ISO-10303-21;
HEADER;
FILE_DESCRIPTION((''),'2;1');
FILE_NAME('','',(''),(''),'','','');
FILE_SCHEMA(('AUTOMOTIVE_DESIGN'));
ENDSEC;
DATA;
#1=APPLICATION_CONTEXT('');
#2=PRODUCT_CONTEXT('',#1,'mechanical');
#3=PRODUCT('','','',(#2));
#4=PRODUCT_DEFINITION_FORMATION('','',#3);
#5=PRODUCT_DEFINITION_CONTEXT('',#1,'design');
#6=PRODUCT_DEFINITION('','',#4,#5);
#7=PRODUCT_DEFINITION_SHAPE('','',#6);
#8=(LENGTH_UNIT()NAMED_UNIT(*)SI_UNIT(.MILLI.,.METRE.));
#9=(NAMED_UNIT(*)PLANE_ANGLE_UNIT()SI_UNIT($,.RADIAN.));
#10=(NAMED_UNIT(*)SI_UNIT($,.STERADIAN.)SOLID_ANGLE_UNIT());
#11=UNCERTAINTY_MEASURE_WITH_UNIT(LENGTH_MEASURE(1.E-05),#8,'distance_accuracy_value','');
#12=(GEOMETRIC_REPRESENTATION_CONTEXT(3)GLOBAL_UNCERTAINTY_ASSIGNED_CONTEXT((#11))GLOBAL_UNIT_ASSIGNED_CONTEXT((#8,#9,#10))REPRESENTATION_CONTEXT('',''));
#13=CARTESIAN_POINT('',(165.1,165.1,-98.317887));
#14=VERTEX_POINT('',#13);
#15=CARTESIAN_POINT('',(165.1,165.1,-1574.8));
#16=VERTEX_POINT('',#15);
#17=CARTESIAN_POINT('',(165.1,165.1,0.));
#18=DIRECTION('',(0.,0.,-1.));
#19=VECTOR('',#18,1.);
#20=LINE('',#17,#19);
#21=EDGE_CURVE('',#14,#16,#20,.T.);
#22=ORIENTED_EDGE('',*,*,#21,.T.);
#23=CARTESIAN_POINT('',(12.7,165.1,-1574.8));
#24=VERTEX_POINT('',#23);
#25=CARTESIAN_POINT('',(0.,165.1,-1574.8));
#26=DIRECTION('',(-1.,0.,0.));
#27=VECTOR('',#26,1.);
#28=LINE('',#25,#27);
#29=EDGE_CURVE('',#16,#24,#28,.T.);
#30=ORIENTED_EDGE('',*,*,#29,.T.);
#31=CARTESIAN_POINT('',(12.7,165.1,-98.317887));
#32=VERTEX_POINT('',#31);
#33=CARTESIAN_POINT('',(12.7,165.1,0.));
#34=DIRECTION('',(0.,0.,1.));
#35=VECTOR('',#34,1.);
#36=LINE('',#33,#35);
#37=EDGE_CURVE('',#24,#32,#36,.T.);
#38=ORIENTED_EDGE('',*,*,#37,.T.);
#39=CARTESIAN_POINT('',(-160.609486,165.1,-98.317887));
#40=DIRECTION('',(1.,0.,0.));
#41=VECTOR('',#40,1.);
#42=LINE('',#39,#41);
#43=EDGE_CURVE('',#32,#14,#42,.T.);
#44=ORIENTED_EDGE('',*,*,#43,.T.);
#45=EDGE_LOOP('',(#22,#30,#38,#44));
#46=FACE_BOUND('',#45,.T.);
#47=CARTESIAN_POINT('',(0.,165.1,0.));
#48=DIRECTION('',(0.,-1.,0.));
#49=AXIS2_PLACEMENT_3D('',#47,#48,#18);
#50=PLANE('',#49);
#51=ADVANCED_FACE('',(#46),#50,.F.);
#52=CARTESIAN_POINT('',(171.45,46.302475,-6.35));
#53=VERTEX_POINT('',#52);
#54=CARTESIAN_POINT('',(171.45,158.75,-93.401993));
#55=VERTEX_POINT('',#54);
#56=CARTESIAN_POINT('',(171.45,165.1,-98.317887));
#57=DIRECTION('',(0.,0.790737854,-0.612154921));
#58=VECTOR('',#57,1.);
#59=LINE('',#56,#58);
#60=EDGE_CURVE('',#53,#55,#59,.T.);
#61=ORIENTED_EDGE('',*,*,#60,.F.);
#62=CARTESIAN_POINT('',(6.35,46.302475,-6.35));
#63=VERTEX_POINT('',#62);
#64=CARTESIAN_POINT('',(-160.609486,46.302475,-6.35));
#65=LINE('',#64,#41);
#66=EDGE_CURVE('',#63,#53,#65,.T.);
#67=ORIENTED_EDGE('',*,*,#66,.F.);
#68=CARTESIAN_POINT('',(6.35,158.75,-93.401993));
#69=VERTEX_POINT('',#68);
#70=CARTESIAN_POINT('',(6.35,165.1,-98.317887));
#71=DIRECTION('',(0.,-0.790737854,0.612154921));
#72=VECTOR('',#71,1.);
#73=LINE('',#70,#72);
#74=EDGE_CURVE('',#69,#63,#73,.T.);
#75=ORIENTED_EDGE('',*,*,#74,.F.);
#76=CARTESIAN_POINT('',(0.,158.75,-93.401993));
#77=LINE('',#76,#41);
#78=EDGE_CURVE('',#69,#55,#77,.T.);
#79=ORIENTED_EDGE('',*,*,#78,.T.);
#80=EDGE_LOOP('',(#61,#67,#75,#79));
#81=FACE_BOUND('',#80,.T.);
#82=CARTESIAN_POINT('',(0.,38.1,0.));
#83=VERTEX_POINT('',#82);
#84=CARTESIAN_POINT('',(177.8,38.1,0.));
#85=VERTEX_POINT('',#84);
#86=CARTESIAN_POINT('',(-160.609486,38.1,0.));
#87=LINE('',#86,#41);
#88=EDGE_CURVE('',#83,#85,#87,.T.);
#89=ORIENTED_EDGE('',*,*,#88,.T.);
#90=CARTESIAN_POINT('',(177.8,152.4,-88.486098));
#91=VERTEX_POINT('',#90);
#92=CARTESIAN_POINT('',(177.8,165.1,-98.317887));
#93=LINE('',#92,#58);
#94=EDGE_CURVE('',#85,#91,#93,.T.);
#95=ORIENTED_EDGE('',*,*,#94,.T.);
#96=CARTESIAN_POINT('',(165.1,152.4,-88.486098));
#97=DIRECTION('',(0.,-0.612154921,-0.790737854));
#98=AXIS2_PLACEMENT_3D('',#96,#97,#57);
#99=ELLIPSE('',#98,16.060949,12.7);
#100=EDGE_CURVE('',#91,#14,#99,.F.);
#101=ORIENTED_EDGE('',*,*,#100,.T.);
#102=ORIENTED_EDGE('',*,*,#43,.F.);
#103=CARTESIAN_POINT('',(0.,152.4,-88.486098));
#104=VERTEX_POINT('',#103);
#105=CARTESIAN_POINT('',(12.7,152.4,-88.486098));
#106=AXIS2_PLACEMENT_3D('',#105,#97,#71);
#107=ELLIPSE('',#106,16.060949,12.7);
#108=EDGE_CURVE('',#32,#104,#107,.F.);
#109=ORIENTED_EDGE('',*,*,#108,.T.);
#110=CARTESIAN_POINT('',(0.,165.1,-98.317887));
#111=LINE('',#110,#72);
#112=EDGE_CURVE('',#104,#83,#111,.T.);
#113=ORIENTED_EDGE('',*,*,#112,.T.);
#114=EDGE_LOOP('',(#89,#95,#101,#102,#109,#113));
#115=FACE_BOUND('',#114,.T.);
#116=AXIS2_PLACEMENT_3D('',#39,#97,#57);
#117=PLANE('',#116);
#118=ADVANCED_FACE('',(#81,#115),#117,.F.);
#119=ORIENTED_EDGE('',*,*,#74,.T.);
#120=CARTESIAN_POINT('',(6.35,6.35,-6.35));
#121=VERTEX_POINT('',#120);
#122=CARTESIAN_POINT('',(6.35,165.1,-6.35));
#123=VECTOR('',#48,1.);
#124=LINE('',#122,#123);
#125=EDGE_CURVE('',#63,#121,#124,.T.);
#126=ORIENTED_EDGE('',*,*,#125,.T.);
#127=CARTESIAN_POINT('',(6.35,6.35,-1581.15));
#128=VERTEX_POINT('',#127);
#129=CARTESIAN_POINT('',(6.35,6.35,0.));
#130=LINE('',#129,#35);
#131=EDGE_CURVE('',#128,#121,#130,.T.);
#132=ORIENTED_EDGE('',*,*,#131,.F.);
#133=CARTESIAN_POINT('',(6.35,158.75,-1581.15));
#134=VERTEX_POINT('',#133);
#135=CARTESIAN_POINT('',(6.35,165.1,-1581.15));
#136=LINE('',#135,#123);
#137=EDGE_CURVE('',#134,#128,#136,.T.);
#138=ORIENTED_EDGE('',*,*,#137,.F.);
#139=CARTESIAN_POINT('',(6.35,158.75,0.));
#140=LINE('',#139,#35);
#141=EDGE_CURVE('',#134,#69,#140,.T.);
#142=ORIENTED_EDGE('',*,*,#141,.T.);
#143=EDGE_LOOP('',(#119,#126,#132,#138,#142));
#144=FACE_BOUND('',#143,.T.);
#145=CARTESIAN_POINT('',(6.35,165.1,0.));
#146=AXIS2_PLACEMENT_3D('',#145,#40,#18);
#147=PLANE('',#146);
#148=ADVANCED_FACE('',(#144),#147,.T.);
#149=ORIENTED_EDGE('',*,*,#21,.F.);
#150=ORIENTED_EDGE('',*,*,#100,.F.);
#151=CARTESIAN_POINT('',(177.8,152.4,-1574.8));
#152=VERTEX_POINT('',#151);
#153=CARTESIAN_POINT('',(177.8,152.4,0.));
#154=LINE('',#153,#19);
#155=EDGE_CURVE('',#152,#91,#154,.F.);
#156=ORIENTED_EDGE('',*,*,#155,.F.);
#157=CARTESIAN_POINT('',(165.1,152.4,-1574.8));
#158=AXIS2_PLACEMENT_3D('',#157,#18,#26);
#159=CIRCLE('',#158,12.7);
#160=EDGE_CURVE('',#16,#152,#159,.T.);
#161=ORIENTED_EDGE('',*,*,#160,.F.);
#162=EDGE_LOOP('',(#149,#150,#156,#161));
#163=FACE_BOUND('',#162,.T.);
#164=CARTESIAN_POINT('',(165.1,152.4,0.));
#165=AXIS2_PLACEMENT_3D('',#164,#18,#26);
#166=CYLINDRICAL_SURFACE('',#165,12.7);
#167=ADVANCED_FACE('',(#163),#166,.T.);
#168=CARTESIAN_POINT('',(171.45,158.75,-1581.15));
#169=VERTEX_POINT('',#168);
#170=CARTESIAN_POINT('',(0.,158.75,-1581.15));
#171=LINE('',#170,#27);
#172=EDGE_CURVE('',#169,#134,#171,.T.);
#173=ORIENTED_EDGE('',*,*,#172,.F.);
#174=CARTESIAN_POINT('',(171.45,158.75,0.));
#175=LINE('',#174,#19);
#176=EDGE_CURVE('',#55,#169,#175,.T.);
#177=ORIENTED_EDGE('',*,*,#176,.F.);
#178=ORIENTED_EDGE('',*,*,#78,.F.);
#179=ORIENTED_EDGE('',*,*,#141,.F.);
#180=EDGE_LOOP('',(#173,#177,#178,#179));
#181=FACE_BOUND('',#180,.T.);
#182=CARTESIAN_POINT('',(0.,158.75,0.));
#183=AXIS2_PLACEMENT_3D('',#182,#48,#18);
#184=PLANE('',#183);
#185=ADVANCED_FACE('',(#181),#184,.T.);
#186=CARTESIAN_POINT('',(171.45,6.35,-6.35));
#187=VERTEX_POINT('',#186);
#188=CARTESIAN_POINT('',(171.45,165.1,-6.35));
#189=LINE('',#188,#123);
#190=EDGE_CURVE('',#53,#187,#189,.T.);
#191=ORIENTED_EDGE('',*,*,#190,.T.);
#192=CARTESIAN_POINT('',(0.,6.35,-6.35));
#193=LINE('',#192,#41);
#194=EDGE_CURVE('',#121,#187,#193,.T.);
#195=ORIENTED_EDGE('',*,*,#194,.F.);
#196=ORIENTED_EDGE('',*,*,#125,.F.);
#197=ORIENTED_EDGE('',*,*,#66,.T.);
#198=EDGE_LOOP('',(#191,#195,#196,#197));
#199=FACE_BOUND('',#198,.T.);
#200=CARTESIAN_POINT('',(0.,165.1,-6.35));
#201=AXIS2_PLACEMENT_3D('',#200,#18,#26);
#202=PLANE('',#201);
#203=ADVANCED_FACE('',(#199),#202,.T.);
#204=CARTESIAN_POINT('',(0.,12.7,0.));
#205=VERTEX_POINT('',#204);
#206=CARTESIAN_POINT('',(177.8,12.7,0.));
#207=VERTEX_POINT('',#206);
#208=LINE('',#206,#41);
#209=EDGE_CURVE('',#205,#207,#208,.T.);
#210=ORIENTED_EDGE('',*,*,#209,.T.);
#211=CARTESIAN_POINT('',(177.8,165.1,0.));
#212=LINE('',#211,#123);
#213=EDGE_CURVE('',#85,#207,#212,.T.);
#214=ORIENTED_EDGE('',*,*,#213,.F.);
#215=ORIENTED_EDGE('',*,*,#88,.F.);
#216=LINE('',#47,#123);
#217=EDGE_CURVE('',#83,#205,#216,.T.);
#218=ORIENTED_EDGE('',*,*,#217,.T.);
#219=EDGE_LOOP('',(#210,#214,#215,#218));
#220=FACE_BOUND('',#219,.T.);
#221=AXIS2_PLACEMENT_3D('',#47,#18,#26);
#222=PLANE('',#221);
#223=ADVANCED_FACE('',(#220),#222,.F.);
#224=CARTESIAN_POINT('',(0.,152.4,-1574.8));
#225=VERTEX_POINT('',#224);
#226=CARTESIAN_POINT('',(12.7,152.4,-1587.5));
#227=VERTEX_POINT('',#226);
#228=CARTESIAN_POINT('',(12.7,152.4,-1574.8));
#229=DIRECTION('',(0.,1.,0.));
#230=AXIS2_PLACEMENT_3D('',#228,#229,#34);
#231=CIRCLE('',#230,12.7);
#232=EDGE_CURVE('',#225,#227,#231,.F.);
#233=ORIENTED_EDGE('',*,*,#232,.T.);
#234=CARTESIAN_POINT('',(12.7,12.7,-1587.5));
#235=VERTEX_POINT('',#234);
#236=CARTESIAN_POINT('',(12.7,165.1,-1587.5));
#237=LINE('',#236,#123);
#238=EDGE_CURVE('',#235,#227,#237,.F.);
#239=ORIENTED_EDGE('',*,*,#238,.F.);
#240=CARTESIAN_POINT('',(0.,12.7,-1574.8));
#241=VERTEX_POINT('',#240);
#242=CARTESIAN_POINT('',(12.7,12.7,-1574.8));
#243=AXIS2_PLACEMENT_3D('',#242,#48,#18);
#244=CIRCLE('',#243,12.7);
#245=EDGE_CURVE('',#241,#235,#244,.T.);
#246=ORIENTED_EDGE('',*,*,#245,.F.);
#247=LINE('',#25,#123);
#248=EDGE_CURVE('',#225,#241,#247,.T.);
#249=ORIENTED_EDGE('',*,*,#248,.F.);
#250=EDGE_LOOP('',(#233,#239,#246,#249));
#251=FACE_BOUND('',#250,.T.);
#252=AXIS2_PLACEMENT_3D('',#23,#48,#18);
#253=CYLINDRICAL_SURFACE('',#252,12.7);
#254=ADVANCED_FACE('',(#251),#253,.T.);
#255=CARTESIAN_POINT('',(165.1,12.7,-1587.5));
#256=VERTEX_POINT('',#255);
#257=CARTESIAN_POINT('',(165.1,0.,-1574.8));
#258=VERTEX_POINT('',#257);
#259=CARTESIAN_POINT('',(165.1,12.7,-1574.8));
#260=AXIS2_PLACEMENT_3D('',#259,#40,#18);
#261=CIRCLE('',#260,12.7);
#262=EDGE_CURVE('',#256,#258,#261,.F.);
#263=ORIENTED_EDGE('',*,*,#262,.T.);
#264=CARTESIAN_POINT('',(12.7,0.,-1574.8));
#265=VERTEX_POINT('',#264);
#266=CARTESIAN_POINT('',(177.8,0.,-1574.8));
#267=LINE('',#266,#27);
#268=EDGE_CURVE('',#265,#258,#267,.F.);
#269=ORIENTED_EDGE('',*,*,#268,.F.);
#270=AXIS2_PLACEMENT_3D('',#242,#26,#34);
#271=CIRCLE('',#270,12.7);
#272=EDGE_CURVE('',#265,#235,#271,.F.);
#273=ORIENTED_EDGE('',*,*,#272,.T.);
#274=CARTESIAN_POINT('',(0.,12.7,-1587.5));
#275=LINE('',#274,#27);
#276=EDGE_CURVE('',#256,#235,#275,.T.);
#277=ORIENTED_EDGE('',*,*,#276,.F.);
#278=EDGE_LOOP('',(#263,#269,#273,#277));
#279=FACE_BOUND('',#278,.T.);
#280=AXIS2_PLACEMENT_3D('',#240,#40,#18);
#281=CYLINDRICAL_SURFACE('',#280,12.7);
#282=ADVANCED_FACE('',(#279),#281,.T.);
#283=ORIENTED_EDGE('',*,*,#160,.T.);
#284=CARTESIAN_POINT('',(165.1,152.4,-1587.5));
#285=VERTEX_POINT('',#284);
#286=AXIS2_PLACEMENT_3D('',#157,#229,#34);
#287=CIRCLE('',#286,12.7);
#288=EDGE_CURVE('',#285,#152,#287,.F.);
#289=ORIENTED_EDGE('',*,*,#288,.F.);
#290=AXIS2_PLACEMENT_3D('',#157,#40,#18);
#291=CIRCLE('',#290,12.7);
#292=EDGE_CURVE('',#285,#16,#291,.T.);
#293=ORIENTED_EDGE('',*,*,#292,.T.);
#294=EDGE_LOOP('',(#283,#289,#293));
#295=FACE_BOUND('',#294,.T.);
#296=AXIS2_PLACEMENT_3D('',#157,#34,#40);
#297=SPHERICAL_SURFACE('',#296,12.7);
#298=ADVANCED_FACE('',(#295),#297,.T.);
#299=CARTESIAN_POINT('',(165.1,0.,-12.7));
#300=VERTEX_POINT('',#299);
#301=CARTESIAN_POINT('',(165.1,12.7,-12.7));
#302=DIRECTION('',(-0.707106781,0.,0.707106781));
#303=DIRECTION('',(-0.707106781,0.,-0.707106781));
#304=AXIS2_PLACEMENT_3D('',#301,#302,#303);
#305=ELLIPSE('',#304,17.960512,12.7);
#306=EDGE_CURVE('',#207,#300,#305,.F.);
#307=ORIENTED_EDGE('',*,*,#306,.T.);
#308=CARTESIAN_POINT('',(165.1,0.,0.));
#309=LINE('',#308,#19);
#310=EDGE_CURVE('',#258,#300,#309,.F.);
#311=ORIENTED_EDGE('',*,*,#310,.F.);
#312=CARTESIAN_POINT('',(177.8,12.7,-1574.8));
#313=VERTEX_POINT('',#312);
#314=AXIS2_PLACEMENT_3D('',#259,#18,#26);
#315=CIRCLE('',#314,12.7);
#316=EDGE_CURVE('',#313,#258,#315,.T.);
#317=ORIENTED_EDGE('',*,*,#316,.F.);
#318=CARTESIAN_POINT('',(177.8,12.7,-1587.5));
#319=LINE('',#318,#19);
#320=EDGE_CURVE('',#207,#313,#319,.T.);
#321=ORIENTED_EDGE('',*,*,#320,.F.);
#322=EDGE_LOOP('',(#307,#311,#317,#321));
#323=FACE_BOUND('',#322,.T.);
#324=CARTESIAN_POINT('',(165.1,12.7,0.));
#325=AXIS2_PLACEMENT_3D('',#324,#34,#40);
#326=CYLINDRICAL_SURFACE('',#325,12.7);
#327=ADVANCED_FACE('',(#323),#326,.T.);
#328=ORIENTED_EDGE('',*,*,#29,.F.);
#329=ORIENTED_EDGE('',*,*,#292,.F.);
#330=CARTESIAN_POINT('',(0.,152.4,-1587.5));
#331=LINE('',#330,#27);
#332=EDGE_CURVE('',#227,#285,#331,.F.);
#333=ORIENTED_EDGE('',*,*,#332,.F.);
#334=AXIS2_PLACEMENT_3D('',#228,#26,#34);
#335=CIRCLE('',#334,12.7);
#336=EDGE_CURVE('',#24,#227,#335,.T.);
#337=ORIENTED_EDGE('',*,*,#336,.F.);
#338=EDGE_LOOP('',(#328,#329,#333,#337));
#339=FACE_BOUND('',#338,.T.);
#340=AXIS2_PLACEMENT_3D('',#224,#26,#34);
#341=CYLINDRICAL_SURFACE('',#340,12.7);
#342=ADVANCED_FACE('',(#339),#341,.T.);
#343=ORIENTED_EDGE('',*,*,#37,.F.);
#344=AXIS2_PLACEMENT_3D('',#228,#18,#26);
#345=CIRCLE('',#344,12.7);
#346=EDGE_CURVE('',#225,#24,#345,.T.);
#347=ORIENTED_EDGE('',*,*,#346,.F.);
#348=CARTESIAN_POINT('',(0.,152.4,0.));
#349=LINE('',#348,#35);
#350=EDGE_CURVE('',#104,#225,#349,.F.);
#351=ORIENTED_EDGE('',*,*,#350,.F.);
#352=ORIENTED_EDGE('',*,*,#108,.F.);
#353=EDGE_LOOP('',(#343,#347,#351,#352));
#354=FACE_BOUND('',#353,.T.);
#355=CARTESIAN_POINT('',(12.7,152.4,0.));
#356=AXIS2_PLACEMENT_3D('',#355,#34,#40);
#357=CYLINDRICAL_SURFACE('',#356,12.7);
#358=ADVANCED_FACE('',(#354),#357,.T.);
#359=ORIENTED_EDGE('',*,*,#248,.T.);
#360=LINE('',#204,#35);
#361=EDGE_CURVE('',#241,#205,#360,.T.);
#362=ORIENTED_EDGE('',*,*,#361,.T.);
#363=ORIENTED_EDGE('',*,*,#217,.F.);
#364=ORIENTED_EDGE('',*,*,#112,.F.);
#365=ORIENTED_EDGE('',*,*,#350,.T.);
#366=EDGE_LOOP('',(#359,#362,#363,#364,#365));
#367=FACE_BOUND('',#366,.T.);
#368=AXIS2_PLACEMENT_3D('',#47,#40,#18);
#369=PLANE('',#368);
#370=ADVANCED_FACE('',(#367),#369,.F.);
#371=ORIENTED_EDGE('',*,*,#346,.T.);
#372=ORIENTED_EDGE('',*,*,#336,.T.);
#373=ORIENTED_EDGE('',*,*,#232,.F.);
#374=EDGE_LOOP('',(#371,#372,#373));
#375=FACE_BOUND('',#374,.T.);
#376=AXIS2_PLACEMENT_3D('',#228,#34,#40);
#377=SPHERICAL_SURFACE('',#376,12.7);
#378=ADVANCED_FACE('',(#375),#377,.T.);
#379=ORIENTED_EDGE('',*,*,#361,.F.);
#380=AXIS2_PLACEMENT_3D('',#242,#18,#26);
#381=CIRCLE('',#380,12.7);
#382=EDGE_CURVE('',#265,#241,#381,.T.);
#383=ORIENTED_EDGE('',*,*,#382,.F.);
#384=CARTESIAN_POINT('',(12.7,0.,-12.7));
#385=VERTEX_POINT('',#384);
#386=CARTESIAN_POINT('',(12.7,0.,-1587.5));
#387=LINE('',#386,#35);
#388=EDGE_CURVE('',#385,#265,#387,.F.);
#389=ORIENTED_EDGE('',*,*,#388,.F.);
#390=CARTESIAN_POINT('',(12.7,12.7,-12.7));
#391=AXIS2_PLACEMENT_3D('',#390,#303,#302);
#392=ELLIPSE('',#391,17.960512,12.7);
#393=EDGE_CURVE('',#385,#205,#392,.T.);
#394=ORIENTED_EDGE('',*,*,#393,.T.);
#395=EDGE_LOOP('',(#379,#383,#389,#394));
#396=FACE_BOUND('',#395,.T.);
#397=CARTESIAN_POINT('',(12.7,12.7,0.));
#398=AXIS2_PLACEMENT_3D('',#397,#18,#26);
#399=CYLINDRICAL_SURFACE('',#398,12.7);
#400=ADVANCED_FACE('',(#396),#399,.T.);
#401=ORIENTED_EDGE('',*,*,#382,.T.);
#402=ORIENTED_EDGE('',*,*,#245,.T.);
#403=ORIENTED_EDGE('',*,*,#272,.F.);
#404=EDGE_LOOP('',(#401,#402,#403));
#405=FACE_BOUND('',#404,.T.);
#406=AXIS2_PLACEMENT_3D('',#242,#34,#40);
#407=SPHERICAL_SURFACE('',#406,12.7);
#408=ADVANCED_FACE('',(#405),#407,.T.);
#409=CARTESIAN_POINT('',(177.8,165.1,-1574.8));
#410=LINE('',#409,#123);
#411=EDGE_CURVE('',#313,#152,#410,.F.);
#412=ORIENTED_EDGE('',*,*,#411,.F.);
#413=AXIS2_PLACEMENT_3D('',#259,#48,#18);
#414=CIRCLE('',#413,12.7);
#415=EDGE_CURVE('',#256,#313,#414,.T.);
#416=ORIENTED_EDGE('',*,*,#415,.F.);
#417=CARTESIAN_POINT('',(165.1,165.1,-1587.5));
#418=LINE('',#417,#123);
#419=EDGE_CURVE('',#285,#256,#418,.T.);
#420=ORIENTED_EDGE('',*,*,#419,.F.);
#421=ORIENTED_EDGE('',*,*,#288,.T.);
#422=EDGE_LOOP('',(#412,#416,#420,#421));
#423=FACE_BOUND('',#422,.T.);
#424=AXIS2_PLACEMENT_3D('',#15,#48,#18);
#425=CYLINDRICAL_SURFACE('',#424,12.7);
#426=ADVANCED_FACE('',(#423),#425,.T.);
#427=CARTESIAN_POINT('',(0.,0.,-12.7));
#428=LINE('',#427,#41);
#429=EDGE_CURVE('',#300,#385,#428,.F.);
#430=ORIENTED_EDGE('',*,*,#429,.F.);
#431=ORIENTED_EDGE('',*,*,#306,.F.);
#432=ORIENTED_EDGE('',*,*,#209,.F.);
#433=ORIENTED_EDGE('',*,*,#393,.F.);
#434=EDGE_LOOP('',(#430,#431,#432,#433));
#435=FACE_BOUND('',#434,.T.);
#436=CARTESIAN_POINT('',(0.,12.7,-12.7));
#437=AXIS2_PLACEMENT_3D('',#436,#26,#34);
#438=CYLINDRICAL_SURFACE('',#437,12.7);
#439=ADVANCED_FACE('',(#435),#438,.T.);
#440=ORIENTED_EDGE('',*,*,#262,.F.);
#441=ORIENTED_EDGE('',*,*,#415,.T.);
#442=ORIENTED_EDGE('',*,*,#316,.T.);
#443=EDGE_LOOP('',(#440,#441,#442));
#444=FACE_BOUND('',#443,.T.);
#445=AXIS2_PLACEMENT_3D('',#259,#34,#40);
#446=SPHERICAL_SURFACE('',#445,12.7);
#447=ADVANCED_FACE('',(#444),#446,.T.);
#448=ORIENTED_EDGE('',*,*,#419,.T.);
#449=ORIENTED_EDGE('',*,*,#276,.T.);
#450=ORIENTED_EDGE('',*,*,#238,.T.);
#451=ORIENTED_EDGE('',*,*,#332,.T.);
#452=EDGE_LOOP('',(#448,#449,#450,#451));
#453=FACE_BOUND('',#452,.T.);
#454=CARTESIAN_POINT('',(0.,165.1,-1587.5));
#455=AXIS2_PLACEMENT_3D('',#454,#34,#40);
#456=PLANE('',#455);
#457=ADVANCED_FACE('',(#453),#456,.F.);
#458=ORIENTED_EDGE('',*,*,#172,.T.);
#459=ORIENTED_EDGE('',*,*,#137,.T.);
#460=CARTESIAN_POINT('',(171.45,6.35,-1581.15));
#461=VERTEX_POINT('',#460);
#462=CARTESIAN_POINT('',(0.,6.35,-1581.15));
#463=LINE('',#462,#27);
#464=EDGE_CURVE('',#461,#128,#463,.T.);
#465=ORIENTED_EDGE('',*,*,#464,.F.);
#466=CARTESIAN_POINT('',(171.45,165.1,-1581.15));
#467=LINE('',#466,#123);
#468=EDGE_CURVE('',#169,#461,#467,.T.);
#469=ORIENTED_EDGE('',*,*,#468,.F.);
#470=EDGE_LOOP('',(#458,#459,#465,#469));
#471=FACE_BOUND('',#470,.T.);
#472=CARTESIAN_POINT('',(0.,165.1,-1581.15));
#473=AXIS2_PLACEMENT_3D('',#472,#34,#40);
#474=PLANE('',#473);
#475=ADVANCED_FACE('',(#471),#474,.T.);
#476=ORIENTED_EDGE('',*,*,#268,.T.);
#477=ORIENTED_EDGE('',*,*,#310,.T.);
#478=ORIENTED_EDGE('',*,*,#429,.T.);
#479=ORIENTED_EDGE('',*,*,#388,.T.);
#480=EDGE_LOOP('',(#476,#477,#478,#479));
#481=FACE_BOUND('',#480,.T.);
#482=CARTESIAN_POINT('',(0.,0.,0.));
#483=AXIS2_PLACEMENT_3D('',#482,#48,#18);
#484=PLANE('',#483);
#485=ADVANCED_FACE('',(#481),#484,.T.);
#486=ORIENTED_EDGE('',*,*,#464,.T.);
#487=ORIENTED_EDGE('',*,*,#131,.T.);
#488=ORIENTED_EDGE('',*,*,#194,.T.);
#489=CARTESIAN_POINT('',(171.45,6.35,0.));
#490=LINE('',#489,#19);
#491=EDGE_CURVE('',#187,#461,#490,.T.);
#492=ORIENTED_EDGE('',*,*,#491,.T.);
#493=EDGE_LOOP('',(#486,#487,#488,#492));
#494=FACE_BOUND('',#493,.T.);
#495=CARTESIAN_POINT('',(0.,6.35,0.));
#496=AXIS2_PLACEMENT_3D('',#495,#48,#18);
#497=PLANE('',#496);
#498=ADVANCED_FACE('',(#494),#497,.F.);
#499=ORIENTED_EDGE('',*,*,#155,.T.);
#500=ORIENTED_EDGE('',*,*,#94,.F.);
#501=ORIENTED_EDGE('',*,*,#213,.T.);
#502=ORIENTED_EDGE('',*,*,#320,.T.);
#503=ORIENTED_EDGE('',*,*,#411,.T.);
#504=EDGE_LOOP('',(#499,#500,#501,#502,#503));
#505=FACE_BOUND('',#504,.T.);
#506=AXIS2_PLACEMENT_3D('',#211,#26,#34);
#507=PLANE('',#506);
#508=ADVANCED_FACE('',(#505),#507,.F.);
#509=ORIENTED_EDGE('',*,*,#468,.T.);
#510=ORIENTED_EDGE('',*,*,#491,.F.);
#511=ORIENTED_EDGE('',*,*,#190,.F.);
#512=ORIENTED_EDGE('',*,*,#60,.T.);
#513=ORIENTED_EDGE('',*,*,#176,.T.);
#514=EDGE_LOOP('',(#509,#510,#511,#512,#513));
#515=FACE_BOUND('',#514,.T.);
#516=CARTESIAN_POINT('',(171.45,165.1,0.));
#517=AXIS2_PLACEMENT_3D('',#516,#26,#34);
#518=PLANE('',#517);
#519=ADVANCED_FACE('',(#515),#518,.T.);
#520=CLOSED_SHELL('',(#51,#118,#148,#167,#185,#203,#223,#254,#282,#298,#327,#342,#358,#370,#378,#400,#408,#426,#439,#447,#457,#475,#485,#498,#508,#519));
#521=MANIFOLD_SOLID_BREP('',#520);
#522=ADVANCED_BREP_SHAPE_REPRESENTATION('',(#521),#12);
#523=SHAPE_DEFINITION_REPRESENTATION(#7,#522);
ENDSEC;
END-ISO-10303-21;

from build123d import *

# Parameters (mm, degrees)
SKETCH1_W           = 177.8
SKETCH1_H           = 1587.5
BOSS_EXTRUDE1_DEPTH = 165.1
CUT_EXTRUDE1_DEPTH  = 177.8
SHELL2_T            = -6.35
FILLET3_R           = 12.7


with BuildPart() as part:
    # Sketch1 → Boss-Extrude1 (new body)
    with BuildSketch(Plane(origin=(0, 0, 0), x_dir=(1, 0, 0), z_dir=(0, 1, 0))):
        with Locations((88.9, 793.75)):
            Rectangle(SKETCH1_W, SKETCH1_H)
    extrude(amount=BOSS_EXTRUDE1_DEPTH)

    # Sketch2 → Cut-Extrude1 (cut)
    with BuildSketch(Plane(origin=(177.8, 0, 0), x_dir=(0, 0, -1), z_dir=(1, 0, 0))):
        Polygon((0, 165.1), (98.317886998, 165.1), (0, 38.1), align=None)
    extrude(amount=-CUT_EXTRUDE1_DEPTH, mode=Mode.SUBTRACT)

    # Shell2
    shell2_openings = [part.faces().sort_by_distance(p)[0] for p in [
        (88.9, 101.6, -49.158943499),
    ]]
    offset(amount=SHELL2_T, openings=shell2_openings, kind=Kind.INTERSECTION)

    # Fillet3
    fillet3_edges = [part.edges().sort_by_distance(p)[0] for p in [
        (177.8, 165.1, -842.908943499),
        (88.9, 165.1, -1587.5),
        (0, 165.1, -842.908943499),
        (88.9, 0, -1587.5),
        (177.8, 0, -793.75),
        (88.9, 0, 0),
        (0, 0, -793.75),
        (0, 82.55, -1587.5),
        (177.8, 82.55, -1587.5),
    ]]
    fillet(fillet3_edges, radius=FILLET3_R)


solid = part.part
